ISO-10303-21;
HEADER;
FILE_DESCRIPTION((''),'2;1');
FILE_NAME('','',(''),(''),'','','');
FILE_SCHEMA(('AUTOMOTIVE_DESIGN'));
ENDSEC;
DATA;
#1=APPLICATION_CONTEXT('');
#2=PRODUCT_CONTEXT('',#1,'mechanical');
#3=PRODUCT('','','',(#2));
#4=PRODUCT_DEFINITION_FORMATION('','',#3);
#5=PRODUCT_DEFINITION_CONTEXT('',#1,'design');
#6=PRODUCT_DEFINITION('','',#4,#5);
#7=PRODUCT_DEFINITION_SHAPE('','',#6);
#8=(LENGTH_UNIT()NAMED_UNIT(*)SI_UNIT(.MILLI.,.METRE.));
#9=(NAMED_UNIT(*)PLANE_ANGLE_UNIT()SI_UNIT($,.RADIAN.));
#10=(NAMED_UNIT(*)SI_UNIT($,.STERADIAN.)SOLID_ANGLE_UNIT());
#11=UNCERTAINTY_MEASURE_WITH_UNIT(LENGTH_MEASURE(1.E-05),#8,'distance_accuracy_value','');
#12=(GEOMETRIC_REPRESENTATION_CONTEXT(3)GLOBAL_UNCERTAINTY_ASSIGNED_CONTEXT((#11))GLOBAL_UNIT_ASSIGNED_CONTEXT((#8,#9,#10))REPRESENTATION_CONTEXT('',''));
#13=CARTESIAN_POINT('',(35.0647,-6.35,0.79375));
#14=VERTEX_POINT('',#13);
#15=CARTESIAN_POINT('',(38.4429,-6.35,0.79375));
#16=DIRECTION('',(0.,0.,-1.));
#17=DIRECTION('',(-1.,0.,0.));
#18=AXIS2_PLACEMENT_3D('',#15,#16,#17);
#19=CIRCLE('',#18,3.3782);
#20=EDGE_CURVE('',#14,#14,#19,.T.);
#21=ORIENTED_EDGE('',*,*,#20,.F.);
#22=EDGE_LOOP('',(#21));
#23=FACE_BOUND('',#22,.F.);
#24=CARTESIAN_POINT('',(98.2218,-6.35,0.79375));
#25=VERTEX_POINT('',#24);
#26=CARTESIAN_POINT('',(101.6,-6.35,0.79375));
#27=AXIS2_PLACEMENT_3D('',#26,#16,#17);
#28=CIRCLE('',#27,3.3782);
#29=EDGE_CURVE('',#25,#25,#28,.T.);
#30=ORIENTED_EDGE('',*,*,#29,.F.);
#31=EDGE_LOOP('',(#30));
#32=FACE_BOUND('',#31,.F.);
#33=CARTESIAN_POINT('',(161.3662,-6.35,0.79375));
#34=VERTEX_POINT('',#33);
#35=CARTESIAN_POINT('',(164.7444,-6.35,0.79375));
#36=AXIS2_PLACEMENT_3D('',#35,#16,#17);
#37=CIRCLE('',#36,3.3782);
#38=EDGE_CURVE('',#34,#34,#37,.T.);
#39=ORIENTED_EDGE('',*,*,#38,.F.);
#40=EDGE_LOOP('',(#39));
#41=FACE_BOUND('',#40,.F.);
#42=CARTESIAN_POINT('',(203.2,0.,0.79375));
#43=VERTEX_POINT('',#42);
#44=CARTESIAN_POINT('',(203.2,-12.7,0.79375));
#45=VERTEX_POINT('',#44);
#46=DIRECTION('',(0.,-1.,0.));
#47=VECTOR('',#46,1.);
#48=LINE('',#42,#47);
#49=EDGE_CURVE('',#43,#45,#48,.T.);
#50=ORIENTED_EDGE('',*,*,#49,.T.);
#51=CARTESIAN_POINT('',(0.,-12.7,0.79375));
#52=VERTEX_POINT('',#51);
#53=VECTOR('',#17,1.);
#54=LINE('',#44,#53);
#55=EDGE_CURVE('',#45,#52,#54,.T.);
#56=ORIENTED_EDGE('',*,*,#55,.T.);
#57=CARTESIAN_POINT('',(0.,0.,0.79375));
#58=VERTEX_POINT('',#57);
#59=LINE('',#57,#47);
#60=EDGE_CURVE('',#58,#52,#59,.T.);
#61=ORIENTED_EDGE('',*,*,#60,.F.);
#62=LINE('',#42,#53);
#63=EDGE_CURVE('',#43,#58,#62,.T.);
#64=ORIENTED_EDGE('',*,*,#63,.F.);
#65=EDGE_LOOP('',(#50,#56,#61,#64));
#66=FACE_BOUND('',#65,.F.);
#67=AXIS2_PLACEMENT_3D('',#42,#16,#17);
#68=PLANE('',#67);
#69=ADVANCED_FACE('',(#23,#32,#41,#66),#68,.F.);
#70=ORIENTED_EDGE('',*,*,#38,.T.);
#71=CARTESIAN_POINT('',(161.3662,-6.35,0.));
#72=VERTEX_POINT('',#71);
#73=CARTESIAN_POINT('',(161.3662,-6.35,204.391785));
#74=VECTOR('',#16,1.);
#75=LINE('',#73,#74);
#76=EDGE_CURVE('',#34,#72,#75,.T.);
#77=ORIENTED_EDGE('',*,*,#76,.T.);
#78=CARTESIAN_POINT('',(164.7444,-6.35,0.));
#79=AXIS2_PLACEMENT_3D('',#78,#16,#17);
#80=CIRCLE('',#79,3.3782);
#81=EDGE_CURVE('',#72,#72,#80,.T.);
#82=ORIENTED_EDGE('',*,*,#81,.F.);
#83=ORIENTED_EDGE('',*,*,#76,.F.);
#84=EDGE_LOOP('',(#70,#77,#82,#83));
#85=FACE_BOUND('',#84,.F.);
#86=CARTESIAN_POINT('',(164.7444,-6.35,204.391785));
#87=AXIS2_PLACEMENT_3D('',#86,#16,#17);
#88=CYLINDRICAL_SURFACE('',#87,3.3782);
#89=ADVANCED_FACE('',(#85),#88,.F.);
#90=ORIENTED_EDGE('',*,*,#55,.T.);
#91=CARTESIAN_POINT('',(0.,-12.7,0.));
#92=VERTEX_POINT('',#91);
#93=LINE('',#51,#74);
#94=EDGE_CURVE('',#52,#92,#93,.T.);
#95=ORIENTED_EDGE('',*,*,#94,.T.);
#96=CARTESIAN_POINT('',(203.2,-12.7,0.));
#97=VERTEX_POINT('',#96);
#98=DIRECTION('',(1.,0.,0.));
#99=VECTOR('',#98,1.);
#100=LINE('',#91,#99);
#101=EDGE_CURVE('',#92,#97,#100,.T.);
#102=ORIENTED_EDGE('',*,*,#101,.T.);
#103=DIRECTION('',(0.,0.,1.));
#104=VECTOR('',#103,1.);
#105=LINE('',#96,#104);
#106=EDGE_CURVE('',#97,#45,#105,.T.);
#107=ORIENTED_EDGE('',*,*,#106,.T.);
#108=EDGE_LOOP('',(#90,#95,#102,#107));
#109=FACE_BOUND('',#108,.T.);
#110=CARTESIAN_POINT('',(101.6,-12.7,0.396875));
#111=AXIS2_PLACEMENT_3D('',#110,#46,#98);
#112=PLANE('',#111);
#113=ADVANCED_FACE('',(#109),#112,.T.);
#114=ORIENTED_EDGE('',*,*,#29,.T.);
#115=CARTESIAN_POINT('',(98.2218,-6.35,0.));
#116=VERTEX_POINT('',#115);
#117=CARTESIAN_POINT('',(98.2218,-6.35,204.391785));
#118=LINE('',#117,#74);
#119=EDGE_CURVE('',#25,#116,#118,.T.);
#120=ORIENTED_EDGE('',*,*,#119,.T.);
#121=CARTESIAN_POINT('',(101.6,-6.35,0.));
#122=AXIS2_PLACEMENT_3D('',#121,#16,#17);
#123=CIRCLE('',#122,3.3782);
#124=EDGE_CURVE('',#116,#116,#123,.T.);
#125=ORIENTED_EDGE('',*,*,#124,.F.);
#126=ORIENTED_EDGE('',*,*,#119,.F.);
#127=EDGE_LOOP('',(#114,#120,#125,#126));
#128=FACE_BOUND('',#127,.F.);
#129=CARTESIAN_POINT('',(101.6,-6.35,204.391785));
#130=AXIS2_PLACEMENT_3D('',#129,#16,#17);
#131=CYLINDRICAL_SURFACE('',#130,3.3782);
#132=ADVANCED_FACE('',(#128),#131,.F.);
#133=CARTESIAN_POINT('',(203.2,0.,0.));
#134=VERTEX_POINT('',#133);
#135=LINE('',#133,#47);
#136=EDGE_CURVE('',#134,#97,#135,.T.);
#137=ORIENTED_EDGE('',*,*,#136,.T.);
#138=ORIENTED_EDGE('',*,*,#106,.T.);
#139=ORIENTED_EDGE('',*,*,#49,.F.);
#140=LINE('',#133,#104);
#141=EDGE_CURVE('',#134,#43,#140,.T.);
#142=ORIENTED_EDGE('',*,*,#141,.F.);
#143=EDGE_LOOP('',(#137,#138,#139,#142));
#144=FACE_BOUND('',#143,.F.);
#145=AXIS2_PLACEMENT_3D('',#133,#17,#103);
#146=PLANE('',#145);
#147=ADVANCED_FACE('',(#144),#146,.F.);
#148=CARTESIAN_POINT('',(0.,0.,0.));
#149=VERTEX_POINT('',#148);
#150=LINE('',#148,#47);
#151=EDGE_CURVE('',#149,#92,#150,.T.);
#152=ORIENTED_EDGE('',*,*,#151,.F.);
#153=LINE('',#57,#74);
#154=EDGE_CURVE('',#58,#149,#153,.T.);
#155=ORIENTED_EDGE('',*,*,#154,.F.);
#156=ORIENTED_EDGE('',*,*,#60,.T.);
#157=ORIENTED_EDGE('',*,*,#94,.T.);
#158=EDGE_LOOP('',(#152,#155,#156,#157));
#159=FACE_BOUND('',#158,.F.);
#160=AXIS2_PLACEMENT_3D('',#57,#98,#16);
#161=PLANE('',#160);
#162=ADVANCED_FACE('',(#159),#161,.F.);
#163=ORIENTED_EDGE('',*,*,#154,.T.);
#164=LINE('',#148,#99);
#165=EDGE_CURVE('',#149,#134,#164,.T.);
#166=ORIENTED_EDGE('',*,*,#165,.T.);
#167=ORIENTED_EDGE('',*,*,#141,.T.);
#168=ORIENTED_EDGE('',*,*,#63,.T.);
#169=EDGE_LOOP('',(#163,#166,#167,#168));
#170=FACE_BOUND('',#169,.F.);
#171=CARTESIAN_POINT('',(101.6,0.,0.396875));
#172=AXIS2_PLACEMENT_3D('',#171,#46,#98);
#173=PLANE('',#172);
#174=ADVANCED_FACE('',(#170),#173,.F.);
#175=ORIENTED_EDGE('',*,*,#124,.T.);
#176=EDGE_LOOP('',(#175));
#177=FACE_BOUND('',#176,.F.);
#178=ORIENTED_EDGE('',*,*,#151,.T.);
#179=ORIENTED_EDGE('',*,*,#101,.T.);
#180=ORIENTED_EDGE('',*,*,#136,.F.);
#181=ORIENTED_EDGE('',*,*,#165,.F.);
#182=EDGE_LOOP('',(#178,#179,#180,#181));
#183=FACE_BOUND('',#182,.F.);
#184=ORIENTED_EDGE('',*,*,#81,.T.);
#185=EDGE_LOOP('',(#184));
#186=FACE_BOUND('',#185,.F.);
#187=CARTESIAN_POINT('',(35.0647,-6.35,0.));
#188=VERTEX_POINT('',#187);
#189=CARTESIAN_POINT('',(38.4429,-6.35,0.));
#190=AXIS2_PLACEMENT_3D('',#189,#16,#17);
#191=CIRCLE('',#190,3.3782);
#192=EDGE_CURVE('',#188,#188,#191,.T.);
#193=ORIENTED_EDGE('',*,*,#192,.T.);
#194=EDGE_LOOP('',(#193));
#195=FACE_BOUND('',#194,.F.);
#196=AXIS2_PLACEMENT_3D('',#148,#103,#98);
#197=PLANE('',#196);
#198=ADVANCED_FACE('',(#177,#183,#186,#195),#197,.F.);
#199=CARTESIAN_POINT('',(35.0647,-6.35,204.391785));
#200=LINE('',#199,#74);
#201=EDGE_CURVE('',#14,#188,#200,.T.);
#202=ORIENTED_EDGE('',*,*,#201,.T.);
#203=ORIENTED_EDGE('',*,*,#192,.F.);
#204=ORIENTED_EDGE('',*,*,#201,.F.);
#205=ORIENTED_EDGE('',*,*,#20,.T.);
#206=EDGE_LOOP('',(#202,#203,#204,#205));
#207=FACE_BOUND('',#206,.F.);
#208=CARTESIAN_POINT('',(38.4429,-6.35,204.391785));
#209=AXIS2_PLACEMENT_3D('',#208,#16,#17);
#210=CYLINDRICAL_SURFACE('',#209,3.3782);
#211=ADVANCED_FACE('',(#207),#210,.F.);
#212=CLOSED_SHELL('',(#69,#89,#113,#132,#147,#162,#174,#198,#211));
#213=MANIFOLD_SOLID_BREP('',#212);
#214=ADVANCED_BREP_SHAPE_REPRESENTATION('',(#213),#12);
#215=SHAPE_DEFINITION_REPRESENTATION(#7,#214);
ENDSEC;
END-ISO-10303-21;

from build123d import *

# Parameters (mm, degrees)
F1_DEPTH = 12.7
F3_D     = 6.7564


with BuildPart() as f1:
    # F0 (on Front) → F1 (new body)
    with BuildSketch(Plane.XZ):
        Polygon((0, 0.79375), (0, 0), (203.2, 0), (203.2, 0.79375), (187.6806, 0.79375), (183.8680549408, 0.79375), (19.3244994099, 0.79375), (15.5119543507, 0.79375), align=None)
    extrude(amount=F1_DEPTH)

    # F3 (through all)
    with Locations(Plane.XY.offset(0.79375)):
        with Locations((101.6, -6.35), (38.4429, -6.35), (164.7444, -6.35)):
            Hole(F3_D / 2)


solid = f1.part
